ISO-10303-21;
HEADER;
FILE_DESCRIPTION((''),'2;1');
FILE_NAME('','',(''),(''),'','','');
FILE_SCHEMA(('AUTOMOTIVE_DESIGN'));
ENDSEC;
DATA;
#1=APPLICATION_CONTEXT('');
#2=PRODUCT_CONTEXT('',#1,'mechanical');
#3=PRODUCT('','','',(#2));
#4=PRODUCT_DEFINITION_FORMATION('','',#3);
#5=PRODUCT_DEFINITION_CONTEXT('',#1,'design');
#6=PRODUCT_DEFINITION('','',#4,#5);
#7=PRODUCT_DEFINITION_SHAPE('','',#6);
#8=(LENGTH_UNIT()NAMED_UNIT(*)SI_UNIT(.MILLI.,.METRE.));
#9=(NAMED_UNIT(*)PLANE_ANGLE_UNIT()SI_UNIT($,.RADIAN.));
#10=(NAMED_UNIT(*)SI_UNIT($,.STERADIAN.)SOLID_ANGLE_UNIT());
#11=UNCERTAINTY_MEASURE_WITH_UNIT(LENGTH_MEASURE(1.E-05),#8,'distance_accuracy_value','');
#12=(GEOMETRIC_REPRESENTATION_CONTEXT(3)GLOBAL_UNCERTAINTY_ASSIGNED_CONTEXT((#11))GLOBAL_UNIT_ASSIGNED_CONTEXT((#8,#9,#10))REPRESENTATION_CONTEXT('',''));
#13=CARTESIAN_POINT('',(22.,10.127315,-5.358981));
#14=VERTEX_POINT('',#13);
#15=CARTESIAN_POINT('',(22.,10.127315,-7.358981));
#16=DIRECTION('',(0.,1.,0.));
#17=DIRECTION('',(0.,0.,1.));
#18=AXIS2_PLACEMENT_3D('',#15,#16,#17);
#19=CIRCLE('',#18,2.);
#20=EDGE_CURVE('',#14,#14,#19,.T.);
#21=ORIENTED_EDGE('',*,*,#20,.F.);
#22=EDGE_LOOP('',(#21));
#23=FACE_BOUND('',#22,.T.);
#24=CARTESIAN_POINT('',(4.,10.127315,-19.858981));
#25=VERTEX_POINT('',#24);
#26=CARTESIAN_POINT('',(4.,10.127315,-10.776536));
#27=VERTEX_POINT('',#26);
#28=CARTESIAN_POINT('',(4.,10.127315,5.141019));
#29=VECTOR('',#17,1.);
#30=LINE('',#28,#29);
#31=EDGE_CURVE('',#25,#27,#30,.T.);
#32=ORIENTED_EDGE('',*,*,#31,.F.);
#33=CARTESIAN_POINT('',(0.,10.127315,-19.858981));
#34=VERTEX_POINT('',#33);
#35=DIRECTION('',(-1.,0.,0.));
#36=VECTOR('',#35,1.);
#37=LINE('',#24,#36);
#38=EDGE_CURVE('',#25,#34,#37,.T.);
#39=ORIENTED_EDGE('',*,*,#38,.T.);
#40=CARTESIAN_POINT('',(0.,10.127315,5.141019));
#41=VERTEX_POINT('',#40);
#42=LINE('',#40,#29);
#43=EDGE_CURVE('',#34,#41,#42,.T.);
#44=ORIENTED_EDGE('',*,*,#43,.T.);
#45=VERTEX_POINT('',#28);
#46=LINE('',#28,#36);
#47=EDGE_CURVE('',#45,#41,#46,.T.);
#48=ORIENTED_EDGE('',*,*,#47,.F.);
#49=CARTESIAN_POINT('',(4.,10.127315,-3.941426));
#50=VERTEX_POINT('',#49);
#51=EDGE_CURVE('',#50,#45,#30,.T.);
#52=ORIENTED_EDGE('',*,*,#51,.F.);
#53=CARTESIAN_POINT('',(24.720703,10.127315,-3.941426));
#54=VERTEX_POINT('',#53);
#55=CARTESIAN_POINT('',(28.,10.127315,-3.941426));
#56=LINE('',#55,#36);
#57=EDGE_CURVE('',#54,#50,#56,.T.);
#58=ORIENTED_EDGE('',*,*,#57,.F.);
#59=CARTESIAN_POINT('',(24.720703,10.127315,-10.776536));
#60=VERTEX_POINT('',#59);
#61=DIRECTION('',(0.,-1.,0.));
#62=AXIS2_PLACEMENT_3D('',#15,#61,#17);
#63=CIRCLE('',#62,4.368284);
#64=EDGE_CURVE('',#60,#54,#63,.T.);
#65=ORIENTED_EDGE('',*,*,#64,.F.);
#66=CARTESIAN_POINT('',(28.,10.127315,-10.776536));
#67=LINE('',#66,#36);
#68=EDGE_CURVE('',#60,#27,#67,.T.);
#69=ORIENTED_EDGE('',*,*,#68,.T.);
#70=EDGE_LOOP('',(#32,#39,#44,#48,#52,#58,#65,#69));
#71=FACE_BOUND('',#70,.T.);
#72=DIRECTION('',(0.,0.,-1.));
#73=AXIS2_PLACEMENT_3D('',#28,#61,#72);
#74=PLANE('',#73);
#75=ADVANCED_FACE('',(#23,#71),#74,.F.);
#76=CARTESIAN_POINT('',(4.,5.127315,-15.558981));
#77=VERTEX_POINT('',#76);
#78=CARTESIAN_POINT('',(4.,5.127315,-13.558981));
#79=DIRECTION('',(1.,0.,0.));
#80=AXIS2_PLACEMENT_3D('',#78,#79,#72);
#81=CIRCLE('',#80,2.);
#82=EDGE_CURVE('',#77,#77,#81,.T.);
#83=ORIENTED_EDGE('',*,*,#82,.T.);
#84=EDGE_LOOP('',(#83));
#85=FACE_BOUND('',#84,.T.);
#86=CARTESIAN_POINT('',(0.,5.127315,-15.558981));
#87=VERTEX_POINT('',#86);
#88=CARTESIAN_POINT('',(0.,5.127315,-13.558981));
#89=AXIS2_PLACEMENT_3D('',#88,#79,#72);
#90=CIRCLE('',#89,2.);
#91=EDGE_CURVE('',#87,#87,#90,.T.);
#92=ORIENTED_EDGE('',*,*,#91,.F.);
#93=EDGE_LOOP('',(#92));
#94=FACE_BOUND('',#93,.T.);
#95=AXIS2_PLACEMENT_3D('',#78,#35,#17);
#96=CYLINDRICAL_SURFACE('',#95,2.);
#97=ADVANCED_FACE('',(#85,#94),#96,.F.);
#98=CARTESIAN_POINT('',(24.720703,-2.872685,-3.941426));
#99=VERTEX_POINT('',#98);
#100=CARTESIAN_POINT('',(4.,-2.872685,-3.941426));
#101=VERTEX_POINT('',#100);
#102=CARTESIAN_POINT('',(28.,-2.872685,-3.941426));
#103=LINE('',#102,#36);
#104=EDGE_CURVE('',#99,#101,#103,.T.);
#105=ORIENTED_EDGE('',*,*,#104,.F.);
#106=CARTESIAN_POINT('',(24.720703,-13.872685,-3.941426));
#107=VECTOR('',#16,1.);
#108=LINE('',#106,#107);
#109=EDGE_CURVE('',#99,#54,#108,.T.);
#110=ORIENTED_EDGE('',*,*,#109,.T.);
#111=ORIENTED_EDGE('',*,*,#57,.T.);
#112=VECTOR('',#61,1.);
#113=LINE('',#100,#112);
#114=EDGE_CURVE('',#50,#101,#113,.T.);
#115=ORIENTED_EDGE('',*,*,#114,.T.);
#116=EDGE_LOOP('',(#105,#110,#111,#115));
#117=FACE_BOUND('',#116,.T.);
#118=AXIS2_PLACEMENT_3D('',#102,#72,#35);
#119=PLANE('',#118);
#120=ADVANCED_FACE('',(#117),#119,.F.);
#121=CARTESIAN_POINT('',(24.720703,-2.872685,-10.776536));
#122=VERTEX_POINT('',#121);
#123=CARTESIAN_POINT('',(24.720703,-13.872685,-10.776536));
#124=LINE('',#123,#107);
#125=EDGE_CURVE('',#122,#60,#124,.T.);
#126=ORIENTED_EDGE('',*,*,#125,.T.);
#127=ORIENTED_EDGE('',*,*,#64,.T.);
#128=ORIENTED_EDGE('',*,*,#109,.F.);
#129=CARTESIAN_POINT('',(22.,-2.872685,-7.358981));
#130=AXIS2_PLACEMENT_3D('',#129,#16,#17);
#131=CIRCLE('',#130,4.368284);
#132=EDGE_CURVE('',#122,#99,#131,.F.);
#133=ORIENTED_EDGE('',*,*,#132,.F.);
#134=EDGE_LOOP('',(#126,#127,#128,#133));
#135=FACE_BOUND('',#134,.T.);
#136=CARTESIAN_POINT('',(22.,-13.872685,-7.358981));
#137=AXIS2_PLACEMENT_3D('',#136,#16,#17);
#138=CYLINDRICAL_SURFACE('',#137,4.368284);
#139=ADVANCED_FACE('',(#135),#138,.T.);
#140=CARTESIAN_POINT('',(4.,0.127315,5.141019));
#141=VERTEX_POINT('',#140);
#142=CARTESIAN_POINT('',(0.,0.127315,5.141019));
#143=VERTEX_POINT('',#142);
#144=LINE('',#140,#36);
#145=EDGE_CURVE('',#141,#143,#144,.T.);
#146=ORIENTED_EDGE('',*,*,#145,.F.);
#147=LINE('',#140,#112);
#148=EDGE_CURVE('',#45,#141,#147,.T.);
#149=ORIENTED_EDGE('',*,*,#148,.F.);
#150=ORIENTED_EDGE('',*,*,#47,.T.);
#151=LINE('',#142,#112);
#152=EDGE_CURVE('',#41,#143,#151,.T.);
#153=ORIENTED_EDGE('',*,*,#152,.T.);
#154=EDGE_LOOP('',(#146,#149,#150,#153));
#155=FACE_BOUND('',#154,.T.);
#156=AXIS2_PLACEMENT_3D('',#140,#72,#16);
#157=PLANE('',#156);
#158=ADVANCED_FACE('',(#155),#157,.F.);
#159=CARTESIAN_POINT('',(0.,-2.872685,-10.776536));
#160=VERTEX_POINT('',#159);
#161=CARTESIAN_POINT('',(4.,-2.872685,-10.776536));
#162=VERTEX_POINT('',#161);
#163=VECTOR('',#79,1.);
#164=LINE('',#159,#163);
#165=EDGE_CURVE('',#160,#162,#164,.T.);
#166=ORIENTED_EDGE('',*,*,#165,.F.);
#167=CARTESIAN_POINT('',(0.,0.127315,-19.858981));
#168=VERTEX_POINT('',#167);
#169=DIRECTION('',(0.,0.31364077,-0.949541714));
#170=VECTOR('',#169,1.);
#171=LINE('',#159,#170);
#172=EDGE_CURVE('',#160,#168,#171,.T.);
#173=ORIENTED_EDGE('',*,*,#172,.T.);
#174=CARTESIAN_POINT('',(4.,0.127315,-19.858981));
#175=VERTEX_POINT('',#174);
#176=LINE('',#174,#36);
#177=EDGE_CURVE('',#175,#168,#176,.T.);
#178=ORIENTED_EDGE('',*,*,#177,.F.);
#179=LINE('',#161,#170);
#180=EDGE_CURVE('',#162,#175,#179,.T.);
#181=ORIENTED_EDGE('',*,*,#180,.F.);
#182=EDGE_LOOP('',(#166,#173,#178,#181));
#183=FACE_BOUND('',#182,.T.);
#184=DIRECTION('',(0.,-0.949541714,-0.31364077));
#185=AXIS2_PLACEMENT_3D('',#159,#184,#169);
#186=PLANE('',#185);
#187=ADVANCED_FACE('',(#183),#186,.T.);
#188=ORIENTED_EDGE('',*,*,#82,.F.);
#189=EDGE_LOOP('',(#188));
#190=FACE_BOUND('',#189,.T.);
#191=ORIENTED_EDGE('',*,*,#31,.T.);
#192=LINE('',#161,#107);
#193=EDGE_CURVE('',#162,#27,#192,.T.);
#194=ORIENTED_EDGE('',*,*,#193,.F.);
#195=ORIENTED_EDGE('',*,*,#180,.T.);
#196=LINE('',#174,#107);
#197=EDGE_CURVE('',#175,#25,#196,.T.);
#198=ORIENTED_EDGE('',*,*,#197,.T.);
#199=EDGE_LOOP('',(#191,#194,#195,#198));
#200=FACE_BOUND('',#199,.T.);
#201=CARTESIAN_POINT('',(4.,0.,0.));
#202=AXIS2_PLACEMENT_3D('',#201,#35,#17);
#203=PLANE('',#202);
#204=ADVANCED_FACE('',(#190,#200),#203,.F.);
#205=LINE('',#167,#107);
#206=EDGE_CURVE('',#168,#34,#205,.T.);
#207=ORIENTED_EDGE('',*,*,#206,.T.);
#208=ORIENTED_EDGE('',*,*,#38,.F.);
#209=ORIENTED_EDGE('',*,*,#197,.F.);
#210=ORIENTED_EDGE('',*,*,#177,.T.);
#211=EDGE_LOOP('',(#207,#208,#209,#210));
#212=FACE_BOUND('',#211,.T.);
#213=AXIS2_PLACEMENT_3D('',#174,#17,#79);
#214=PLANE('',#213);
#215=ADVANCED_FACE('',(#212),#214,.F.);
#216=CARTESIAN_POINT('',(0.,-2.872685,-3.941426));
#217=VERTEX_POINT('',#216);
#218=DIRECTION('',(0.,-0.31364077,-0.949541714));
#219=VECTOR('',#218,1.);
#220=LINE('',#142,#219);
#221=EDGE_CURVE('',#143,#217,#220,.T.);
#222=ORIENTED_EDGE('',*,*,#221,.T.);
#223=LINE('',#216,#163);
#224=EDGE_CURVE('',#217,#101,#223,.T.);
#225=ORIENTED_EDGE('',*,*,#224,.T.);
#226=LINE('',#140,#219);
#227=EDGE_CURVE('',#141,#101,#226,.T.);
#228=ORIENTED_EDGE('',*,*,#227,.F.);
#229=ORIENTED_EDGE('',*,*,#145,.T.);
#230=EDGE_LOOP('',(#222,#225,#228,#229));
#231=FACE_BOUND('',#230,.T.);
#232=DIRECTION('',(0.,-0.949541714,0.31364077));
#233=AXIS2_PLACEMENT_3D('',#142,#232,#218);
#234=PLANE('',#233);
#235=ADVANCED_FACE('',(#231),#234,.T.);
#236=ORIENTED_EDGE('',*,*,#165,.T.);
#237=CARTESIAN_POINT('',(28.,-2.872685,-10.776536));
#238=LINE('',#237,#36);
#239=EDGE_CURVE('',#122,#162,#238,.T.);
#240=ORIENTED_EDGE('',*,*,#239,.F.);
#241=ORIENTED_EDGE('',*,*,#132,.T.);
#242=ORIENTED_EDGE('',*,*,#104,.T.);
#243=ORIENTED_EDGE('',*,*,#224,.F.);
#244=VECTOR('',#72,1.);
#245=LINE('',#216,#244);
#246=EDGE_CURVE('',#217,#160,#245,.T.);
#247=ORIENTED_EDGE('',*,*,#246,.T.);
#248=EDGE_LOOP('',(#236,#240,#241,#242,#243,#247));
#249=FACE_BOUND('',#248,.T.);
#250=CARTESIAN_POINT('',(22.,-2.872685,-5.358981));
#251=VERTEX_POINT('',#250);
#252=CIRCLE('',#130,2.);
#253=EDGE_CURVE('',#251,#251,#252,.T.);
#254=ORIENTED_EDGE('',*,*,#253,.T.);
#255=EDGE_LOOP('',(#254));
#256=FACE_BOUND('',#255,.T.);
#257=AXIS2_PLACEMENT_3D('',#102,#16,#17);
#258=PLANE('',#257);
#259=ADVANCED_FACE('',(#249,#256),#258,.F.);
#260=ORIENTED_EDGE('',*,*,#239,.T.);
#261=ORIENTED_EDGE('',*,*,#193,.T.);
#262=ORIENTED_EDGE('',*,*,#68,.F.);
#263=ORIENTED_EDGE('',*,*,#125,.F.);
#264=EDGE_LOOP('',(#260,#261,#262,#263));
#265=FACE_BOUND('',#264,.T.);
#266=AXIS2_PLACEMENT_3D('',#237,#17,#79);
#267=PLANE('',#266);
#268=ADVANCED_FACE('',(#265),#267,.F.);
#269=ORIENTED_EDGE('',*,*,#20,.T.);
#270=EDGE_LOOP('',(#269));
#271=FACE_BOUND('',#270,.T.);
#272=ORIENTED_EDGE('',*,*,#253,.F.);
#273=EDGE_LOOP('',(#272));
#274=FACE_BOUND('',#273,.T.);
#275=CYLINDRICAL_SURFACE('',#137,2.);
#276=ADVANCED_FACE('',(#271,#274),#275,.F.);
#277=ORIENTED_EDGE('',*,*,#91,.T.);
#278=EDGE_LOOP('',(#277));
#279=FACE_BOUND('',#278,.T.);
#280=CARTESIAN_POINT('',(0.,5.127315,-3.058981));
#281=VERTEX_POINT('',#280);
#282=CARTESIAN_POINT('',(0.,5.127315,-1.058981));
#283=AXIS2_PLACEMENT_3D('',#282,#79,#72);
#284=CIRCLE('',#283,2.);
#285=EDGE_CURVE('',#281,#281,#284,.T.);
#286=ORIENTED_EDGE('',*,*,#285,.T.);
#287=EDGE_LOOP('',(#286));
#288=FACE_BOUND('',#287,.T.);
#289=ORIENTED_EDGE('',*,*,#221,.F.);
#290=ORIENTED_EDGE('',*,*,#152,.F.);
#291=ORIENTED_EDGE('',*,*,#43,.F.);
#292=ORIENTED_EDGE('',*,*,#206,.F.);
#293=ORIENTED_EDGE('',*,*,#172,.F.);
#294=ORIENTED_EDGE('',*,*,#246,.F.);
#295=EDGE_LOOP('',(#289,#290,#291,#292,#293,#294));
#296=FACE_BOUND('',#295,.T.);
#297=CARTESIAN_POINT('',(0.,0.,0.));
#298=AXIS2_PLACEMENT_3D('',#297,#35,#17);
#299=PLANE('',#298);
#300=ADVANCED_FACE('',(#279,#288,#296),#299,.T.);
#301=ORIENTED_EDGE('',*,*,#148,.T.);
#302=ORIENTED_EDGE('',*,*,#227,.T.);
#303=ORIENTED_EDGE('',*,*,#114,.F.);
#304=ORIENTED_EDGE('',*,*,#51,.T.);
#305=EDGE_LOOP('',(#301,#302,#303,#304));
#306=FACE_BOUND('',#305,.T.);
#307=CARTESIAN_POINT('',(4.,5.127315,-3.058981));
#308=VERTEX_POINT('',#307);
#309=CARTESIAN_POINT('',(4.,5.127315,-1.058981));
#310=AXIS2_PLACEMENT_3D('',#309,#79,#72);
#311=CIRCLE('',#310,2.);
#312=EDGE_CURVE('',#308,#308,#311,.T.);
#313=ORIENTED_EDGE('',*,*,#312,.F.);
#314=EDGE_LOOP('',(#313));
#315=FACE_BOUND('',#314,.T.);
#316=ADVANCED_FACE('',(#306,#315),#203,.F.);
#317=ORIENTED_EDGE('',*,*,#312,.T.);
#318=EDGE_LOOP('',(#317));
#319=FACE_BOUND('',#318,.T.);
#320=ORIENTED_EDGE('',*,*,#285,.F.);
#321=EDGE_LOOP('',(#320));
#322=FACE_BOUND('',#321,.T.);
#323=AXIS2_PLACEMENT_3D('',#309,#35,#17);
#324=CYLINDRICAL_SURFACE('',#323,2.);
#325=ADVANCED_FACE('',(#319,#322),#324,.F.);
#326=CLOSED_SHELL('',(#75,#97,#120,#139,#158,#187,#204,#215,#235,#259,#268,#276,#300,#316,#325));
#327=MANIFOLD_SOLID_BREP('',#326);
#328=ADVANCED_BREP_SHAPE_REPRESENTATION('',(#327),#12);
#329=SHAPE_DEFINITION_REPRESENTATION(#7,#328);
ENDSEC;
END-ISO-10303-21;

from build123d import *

# Parameters (mm, degrees)
CROQUIS1_W              = 25
CROQUIS1_H              = 10
CROQUIS1_R              = 2
SALIENTE_EXTRUIR1_DEPTH = 4
CROQUIS2_W              = 6.835109388
CROQUIS2_H              = 13
SALIENTE_EXTRUIR2_DEPTH = 24
CROQUIS3_R              = 2
CORTAR_EXTRUIR1_DEPTH   = 24
SALIENTE_EXTRUIR3_DEPTH = 4
CORTAR_EXTRUIR2_DEPTH   = 24


with BuildPart() as part:
    # Croquis1 → Saliente-Extruir1 (new body)
    with BuildSketch(Plane(origin=(0, 0, 0), x_dir=(0, 0, -1), z_dir=(1, 0, 0))):
        with Locations((7.35898106, 5.127314815)):
            Rectangle(CROQUIS1_W, CROQUIS1_H)
        with Locations((1.05898106, 5.127314815)):
            Circle(CROQUIS1_R, mode=Mode.SUBTRACT)
        with Locations((13.55898106, 5.127314815)):
            Circle(CROQUIS1_R, mode=Mode.SUBTRACT)
    extrude(amount=SALIENTE_EXTRUIR1_DEPTH)

    # Croquis2 → Saliente-Extruir2 (add)
    with BuildSketch(Plane(origin=(4, 0, 0), x_dir=(0, 0, -1), z_dir=(1, 0, 0))):
        with Locations((7.35898106, 3.627314815)):
            Rectangle(CROQUIS2_W, CROQUIS2_H)
    extrude(amount=SALIENTE_EXTRUIR2_DEPTH)

    # Croquis3 → Cortar-Extruir1 (cut)
    with BuildSketch(Plane(origin=(0, 10.127314815, 0), x_dir=(1, 0, 0), z_dir=(0, 1, 0))):
        with Locations(Location((22, 7.35898106, 0), (0, 0, 270))):
            Circle(CROQUIS3_R)
    extrude(amount=-CORTAR_EXTRUIR1_DEPTH, mode=Mode.SUBTRACT)

    # Croquis4 → Saliente-Extruir3 (add, through all)
    with BuildSketch(Plane(origin=(4, 0, 0), x_dir=(0, 0, -1), z_dir=(1, 0, 0))):
        Polygon((-5.14101894, 0.127314815), (3.941426366, -2.872685185), (10.776535754, -2.872685185), (19.85898106, 0.127314815), align=None)
    extrude(amount=-SALIENTE_EXTRUIR3_DEPTH)

    # Croquis5 → Cortar-Extruir2 (cut)
    with BuildSketch(Plane(origin=(0, 10.127314815, 0), x_dir=(1, 0, 0), z_dir=(0, 1, 0))):
        with BuildLine():
            Line((28, 3.941426366), (24.720702874, 3.941426366))
            ThreePointArc((24.720702874, 3.941426366), (26.368283898, 7.35898106), (24.720702874, 10.776535754))
            Line((24.720702874, 10.776535754), (28, 10.776535754))
            Line((28, 10.776535754), (28, 3.941426366))
        make_face()
    extrude(amount=-CORTAR_EXTRUIR2_DEPTH, mode=Mode.SUBTRACT)


solid = part.part
